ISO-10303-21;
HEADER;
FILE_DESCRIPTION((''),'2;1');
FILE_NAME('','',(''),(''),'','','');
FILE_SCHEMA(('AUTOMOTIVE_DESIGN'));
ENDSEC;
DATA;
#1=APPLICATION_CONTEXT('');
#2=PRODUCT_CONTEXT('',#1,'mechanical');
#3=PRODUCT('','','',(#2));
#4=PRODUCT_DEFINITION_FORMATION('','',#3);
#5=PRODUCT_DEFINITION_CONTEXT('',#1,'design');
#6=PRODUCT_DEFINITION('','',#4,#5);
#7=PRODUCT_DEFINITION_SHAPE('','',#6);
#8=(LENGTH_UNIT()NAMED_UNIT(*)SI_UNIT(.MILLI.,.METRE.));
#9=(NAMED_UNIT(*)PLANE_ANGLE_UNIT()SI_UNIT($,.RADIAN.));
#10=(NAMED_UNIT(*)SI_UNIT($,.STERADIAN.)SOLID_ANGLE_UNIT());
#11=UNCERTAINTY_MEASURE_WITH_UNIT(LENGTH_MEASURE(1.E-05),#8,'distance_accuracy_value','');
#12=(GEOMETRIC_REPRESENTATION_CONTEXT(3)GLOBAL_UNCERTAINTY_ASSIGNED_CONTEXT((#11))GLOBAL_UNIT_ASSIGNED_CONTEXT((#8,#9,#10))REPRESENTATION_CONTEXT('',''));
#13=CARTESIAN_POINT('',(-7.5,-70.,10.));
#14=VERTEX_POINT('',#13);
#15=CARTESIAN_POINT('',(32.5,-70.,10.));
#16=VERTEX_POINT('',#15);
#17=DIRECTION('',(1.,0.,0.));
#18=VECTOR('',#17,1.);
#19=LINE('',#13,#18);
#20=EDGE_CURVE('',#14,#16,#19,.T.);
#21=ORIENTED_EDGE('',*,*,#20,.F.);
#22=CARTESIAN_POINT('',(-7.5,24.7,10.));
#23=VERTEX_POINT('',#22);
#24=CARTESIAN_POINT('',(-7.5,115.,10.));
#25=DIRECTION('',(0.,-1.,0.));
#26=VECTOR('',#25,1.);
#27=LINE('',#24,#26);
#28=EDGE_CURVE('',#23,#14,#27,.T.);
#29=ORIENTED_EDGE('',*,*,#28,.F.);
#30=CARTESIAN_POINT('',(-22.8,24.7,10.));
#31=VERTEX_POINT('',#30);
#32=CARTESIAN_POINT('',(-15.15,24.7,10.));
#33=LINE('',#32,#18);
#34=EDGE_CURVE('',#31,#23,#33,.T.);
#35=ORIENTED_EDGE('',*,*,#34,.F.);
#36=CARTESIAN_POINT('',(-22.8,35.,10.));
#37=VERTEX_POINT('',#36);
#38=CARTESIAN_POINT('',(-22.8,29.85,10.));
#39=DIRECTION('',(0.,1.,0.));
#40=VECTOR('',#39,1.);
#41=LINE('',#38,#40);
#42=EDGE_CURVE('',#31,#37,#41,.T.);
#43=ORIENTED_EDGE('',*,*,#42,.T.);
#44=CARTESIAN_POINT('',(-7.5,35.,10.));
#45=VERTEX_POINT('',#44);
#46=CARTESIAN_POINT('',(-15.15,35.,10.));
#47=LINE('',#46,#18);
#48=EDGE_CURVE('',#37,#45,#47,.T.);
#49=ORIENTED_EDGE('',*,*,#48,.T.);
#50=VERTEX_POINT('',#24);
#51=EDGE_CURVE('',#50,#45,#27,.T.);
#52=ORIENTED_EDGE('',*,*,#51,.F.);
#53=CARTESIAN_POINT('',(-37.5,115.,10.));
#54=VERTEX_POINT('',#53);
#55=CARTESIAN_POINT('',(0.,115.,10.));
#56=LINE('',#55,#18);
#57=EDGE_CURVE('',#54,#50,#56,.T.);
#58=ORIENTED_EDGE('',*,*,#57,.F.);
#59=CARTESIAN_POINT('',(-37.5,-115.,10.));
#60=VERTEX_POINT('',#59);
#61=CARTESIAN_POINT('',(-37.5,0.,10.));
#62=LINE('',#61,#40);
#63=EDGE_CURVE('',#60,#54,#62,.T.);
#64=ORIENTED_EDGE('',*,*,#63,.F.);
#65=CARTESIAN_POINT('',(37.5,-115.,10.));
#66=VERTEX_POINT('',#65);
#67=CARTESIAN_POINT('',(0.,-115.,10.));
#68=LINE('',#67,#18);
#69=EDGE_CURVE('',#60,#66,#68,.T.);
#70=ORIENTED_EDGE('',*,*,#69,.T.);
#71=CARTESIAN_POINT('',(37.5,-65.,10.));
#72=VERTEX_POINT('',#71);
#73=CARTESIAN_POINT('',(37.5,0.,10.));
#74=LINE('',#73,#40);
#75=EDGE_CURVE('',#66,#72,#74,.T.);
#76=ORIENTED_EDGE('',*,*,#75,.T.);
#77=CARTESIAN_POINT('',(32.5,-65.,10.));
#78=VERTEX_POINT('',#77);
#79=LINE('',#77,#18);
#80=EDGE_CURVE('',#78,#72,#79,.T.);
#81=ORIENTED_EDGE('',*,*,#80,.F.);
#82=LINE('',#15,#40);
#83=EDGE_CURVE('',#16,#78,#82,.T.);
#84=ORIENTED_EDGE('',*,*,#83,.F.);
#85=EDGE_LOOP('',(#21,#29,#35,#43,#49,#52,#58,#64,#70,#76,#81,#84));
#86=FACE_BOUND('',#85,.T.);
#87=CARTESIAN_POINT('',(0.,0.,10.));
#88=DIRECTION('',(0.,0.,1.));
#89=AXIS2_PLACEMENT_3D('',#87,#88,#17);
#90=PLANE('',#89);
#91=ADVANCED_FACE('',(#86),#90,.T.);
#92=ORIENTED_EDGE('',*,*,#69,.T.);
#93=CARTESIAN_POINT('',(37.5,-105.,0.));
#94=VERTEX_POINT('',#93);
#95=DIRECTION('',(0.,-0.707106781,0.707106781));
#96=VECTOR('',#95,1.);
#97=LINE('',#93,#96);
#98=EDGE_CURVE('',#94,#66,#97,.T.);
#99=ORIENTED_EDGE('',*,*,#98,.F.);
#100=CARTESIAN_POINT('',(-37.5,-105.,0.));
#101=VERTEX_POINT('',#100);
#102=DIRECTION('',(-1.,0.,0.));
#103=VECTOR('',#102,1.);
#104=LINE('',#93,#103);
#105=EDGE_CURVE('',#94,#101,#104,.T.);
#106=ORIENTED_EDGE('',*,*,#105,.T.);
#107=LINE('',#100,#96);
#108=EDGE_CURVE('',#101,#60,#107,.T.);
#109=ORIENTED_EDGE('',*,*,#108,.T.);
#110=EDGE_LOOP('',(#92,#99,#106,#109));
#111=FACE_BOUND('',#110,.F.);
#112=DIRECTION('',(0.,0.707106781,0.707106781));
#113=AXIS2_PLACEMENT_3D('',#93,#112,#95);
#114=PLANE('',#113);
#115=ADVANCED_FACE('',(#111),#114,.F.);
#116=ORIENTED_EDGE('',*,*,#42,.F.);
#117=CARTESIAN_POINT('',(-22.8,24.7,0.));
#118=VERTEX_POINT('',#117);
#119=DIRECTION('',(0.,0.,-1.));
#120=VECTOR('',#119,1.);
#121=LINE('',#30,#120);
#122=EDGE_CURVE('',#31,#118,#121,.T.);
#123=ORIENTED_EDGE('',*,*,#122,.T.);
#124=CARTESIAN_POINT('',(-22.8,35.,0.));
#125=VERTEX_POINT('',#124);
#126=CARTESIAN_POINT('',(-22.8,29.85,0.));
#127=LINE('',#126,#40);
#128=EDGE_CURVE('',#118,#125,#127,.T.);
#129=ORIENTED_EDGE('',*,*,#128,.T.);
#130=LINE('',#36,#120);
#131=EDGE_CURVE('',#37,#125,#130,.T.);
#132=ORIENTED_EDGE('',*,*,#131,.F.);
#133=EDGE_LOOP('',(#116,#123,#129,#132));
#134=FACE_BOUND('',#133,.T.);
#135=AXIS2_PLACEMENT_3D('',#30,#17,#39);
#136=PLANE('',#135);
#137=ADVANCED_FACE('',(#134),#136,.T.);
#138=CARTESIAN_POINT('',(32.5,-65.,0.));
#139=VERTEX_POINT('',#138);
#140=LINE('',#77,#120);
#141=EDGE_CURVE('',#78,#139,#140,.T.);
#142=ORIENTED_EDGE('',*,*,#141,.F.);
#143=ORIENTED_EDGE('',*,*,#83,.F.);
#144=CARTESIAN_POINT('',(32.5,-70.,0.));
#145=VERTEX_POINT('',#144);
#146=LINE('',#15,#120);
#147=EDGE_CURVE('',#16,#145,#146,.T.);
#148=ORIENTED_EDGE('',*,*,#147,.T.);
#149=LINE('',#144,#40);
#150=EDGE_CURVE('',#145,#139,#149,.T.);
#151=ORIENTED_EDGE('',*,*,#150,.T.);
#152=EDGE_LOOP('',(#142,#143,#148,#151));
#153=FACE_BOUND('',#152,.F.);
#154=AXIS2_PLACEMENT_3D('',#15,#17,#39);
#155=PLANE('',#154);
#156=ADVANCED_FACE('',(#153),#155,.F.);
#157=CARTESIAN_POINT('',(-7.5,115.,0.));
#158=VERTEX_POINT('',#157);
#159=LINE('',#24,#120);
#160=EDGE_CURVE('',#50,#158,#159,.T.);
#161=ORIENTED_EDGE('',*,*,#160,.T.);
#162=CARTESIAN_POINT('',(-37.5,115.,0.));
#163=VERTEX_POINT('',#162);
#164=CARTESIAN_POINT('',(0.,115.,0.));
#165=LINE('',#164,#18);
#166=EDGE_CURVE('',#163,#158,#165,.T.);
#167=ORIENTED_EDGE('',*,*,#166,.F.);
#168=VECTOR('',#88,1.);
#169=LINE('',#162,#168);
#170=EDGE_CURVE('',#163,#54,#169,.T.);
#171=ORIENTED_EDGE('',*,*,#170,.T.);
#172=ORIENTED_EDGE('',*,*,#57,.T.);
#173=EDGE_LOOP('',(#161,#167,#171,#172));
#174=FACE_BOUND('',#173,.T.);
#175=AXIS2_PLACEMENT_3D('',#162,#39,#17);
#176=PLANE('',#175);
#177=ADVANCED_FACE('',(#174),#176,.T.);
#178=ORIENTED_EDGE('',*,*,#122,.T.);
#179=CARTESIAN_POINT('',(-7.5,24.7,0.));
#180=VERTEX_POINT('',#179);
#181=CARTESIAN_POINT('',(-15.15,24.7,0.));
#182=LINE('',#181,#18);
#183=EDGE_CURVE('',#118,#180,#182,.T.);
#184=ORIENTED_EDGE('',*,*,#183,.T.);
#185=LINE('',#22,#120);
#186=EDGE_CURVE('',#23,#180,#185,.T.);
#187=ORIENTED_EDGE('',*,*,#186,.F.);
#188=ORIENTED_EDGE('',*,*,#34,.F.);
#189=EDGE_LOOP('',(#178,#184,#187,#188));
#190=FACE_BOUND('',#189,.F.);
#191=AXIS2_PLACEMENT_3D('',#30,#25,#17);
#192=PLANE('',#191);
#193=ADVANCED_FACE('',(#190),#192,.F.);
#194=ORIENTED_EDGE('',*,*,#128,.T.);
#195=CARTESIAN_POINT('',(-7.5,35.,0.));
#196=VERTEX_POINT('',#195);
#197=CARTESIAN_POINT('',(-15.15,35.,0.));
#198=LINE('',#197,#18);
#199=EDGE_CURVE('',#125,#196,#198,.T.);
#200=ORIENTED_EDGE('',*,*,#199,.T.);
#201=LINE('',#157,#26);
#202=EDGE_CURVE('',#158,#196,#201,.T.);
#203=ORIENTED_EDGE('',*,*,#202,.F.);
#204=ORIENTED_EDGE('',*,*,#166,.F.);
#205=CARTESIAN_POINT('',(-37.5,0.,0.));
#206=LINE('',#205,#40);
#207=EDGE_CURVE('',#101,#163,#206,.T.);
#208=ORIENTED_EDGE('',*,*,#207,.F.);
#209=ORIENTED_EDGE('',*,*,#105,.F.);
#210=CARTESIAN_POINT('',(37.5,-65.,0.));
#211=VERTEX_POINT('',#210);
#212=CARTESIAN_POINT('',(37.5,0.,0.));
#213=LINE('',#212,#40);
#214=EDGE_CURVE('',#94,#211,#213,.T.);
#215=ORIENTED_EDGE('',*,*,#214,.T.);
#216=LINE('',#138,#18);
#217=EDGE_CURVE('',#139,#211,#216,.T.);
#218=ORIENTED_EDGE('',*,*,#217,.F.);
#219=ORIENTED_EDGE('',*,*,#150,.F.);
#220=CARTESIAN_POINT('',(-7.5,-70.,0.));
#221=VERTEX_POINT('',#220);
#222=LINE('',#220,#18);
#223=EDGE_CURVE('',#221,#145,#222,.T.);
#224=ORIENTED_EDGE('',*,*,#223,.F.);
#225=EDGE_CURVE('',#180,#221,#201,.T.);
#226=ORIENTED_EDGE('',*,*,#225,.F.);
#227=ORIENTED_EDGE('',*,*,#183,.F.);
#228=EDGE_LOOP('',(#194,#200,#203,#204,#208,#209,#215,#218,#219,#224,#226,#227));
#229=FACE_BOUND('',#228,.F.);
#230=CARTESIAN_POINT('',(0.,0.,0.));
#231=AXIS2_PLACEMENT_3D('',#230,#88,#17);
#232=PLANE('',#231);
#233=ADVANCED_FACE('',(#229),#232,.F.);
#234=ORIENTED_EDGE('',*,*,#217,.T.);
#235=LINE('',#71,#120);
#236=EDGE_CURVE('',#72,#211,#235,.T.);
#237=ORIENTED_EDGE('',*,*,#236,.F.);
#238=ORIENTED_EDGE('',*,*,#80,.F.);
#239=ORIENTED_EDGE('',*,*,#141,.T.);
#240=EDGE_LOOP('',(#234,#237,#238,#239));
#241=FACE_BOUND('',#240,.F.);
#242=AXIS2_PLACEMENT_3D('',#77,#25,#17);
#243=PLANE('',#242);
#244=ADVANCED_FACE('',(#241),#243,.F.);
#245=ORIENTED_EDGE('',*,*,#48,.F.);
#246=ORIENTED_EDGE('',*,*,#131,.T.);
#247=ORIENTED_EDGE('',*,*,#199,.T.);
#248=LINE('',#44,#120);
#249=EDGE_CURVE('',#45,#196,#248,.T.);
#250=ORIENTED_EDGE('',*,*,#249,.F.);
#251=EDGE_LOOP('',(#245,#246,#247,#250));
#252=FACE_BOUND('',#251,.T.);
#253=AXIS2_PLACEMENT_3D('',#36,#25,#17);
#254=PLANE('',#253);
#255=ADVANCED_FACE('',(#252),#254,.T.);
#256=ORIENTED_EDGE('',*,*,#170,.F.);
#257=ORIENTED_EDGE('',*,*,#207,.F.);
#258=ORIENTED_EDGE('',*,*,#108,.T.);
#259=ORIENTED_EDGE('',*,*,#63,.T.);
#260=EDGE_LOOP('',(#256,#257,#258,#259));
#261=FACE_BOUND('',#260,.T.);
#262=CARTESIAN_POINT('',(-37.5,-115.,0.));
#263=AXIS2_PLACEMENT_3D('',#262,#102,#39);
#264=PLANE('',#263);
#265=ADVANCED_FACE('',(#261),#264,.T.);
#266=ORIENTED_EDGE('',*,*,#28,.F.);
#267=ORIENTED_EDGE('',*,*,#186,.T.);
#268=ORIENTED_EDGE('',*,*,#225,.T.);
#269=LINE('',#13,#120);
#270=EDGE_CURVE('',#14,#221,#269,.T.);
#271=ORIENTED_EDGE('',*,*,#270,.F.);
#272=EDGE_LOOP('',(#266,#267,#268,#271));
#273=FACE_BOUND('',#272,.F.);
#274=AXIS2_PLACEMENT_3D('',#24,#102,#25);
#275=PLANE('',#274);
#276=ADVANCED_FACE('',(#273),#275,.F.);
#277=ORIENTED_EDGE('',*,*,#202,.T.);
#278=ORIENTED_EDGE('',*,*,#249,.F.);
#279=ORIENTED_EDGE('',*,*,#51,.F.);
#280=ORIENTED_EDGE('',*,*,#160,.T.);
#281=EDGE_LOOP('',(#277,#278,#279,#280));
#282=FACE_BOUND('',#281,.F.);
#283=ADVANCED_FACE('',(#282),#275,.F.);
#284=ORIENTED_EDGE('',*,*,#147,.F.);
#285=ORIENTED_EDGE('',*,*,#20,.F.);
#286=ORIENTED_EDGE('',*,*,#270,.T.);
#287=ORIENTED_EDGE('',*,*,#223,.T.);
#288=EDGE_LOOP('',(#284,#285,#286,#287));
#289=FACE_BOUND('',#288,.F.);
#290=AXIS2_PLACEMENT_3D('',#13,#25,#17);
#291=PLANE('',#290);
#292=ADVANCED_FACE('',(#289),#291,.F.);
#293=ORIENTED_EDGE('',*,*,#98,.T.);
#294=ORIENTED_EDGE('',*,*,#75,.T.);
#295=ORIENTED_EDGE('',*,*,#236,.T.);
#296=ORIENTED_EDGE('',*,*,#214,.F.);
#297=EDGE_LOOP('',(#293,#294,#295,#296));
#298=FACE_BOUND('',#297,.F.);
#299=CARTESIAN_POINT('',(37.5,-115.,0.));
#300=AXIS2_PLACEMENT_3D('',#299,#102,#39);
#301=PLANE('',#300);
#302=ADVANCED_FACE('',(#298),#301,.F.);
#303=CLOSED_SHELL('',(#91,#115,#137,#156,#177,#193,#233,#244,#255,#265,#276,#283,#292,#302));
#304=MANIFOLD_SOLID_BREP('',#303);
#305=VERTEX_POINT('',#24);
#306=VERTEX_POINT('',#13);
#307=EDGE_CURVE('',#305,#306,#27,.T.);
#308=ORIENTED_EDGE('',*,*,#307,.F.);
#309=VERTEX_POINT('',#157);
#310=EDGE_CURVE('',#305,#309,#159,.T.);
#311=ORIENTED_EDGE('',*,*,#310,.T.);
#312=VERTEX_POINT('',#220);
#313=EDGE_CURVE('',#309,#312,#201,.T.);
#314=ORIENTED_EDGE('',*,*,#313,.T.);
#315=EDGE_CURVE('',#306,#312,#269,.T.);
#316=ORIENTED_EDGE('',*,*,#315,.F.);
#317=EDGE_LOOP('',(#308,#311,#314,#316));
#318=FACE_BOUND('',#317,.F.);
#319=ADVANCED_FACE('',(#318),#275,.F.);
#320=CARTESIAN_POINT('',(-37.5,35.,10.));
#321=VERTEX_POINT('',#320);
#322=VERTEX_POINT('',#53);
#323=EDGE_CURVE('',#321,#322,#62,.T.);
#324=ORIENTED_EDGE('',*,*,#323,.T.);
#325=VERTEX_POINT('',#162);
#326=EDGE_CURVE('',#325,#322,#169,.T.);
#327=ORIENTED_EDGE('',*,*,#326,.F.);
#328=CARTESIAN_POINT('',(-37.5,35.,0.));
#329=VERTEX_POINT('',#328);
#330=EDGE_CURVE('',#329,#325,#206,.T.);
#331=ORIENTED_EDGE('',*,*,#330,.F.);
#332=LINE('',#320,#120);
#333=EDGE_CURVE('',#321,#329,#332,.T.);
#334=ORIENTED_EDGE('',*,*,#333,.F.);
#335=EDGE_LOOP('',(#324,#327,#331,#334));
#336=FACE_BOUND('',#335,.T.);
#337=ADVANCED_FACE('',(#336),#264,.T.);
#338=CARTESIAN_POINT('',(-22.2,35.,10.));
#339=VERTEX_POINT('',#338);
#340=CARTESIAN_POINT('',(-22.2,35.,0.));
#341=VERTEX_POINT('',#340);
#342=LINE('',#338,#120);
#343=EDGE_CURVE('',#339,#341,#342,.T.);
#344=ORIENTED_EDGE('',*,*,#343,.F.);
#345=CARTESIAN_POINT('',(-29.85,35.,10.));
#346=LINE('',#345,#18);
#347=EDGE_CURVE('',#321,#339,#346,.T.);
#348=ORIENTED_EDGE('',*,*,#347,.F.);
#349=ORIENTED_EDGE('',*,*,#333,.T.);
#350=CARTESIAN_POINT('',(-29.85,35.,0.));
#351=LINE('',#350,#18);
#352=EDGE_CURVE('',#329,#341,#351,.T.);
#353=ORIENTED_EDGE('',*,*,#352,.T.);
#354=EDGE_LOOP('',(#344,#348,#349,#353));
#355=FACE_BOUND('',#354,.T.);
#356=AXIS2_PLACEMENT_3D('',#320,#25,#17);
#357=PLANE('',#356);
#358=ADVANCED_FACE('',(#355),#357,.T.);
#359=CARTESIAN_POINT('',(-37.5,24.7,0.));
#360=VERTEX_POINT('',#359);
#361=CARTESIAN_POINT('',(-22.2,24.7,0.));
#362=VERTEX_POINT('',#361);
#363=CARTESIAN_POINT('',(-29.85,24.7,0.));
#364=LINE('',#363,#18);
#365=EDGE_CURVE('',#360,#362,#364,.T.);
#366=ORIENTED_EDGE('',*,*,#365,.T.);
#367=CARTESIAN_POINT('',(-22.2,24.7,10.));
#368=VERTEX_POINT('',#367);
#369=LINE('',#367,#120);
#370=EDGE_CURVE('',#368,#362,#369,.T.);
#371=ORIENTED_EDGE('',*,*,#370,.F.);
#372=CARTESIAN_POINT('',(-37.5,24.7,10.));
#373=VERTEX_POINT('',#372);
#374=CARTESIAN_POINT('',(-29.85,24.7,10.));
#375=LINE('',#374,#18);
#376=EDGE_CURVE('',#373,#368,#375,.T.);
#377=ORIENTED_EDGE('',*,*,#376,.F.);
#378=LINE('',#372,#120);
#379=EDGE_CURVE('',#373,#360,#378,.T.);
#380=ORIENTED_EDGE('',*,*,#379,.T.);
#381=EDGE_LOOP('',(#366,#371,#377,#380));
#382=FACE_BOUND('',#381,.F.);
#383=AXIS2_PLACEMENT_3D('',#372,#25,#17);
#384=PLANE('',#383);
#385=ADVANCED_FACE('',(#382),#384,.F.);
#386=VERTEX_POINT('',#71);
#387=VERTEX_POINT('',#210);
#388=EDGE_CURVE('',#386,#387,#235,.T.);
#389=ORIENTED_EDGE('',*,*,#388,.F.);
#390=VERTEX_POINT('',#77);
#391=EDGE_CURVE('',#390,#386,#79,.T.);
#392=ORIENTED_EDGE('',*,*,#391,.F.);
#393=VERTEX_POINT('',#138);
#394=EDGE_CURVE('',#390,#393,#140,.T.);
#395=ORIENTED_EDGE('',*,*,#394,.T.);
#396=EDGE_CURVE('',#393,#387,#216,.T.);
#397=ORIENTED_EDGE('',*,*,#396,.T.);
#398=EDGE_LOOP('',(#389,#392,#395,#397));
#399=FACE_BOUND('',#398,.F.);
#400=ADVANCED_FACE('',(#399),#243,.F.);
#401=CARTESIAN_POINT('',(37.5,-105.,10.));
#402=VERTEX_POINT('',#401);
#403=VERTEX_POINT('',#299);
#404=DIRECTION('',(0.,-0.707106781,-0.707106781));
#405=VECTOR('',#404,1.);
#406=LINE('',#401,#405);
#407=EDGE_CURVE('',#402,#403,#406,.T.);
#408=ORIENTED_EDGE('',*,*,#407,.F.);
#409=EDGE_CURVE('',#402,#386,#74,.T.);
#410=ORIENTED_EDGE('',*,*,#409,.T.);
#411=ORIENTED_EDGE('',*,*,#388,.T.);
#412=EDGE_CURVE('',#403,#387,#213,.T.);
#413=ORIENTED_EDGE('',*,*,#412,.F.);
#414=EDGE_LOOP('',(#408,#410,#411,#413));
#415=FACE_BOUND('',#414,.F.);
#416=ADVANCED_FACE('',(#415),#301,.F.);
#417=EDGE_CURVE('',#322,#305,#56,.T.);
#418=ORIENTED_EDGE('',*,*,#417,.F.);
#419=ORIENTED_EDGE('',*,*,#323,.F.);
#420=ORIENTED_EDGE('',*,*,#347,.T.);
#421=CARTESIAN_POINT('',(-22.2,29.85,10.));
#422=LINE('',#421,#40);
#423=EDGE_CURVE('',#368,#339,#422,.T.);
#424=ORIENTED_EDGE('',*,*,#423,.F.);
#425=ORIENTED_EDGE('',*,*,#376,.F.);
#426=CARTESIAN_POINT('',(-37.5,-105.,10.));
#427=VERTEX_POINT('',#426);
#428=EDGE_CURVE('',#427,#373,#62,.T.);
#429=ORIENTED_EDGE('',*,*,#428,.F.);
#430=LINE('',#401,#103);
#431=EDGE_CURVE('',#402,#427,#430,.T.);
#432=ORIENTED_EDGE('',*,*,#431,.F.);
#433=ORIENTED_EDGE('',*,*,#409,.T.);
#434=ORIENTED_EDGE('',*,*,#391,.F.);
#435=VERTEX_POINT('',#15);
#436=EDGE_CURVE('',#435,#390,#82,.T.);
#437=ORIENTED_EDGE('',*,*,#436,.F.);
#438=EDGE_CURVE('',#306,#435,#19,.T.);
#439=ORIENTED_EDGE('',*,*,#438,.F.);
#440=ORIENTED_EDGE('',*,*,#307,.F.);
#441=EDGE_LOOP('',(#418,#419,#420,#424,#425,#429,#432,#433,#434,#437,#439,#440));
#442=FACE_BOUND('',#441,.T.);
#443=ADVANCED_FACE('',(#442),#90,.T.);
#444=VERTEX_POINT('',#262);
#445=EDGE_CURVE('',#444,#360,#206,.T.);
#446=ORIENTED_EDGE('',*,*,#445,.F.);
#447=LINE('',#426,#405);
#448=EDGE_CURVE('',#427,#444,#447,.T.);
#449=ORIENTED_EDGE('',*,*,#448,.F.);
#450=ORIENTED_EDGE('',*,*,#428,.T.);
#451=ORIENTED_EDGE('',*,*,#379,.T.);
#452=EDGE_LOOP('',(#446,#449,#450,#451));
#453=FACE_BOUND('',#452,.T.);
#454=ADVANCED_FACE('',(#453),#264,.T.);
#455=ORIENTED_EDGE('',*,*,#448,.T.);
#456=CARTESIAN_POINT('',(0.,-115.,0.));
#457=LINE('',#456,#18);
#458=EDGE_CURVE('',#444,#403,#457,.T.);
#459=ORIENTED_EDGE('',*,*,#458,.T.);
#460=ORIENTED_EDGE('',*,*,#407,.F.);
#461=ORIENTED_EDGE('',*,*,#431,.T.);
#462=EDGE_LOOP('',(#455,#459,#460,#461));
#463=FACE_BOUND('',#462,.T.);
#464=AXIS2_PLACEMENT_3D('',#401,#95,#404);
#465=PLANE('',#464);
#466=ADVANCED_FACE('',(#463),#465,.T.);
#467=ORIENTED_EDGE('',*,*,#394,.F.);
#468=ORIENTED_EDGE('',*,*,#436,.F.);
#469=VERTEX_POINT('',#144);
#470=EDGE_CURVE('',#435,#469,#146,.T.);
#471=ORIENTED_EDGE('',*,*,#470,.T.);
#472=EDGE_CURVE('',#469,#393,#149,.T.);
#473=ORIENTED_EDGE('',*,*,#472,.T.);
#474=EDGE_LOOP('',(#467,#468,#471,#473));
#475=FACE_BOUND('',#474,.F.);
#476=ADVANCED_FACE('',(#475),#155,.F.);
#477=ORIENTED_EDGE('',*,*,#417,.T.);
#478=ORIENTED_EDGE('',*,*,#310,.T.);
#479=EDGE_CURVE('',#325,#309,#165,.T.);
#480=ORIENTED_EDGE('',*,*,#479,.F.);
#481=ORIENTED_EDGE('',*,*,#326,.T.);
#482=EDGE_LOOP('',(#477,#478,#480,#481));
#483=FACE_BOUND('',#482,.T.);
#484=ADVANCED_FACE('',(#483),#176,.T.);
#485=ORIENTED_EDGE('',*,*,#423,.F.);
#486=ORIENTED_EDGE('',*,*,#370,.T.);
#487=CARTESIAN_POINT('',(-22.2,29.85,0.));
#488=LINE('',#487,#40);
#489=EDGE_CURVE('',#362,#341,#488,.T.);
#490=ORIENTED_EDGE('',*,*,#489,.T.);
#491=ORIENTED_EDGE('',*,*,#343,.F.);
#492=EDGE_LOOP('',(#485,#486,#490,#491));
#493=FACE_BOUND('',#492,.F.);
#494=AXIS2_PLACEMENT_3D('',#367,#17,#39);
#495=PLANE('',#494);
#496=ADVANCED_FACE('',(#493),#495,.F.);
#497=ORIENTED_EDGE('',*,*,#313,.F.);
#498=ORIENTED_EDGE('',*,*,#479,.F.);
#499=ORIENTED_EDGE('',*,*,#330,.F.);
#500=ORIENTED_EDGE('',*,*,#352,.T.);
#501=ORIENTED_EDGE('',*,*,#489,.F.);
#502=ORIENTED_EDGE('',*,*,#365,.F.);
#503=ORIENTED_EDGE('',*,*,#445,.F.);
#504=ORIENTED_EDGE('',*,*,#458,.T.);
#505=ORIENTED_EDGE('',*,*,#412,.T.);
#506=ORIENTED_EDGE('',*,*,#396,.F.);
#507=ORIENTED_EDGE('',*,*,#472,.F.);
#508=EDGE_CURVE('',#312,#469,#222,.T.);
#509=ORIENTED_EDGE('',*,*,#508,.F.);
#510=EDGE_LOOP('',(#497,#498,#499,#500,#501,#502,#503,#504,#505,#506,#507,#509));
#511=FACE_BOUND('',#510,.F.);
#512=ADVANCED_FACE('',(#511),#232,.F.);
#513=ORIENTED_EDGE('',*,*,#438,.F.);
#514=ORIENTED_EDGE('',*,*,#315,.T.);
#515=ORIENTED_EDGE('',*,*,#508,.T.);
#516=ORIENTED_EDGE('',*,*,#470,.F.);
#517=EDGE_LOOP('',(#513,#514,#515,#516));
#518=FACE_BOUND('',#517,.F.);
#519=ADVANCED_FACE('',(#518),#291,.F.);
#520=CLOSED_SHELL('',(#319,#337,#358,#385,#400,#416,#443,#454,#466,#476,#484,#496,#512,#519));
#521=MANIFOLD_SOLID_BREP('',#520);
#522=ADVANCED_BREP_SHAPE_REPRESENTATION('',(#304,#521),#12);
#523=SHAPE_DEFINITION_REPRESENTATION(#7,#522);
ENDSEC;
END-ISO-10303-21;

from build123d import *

# Parameters (mm, degrees)
SKETCH_W        = 75
SKETCH_H        = 230
PAD_DEPTH       = 10
POCKET_DEPTH    = 75
SKETCH004_W     = 15.3
SKETCH004_H     = 10.3
POCKET002_DEPTH = 10
POCKET003_DEPTH = 10
SKETCH001_W     = 75
SKETCH001_H     = 230
PAD001_DEPTH    = 10
POCKET001_DEPTH = 75
SKETCH006_W     = 15.3
SKETCH006_H     = 10.3
POCKET004_DEPTH = 10
POCKET005_DEPTH = 10


with BuildPart() as left_hook:
    # Sketch → Pad (new body)
    with BuildSketch(Plane.XY):
        Rectangle(SKETCH_W, SKETCH_H)
    extrude(amount=PAD_DEPTH)

    # Sketch002 (on DatumPlane) → Pocket (cut)
    with BuildSketch(Plane.YZ.offset(37.5)):
        Polygon((-115, 0), (-115, 10), (-105, 10), align=None)
    extrude(amount=-POCKET_DEPTH, mode=Mode.SUBTRACT)

    # Sketch004 (on DatumPlane) → Pocket002 (cut)
    with BuildSketch(Plane.XY.offset(10)):
        with Locations((-29.85, 29.85)):
            Rectangle(SKETCH004_W, SKETCH004_H)
    extrude(amount=-POCKET002_DEPTH, mode=Mode.SUBTRACT)

    # Sketch005 (on DatumPlane) → Pocket003 (cut)
    with BuildSketch(Plane.XY.offset(10)):
        Polygon((37.5, 115), (-7.5, 115), (-7.5, -70), (32.5, -70), (32.5, -65), (37.5, -65), align=None)
    extrude(amount=-POCKET003_DEPTH, mode=Mode.SUBTRACT)


with BuildPart() as right_hook:
    # Sketch001 → Pad001 (new body)
    with BuildSketch(Plane.XY):
        Rectangle(SKETCH001_W, SKETCH001_H)
    extrude(amount=PAD001_DEPTH)

    # Sketch003 (on DatumPlane) → Pocket001 (cut)
    with BuildSketch(Plane.YZ.offset(37.5)):
        Polygon((-115, 0), (-105, 0), (-115, 10), align=None)
    extrude(amount=-POCKET001_DEPTH, mode=Mode.SUBTRACT)

    # Sketch006 (on DatumPlane) → Pocket004 (cut)
    with BuildSketch(Plane.XY.offset(10)):
        with Locations((-15.15, 29.85)):
            Rectangle(SKETCH006_W, SKETCH006_H)
    extrude(amount=-POCKET004_DEPTH, mode=Mode.SUBTRACT)

    # Sketch007 (on DatumPlane) → Pocket005 (cut)
    with BuildSketch(Plane.XY.offset(10)):
        Polygon((-7.5, 115), (-7.5, -70), (32.5, -70), (32.5, -65), (37.5, -65), (37.5, 115), align=None)
    extrude(amount=-POCKET005_DEPTH, mode=Mode.SUBTRACT)


solid = Compound([left_hook.part, right_hook.part])
